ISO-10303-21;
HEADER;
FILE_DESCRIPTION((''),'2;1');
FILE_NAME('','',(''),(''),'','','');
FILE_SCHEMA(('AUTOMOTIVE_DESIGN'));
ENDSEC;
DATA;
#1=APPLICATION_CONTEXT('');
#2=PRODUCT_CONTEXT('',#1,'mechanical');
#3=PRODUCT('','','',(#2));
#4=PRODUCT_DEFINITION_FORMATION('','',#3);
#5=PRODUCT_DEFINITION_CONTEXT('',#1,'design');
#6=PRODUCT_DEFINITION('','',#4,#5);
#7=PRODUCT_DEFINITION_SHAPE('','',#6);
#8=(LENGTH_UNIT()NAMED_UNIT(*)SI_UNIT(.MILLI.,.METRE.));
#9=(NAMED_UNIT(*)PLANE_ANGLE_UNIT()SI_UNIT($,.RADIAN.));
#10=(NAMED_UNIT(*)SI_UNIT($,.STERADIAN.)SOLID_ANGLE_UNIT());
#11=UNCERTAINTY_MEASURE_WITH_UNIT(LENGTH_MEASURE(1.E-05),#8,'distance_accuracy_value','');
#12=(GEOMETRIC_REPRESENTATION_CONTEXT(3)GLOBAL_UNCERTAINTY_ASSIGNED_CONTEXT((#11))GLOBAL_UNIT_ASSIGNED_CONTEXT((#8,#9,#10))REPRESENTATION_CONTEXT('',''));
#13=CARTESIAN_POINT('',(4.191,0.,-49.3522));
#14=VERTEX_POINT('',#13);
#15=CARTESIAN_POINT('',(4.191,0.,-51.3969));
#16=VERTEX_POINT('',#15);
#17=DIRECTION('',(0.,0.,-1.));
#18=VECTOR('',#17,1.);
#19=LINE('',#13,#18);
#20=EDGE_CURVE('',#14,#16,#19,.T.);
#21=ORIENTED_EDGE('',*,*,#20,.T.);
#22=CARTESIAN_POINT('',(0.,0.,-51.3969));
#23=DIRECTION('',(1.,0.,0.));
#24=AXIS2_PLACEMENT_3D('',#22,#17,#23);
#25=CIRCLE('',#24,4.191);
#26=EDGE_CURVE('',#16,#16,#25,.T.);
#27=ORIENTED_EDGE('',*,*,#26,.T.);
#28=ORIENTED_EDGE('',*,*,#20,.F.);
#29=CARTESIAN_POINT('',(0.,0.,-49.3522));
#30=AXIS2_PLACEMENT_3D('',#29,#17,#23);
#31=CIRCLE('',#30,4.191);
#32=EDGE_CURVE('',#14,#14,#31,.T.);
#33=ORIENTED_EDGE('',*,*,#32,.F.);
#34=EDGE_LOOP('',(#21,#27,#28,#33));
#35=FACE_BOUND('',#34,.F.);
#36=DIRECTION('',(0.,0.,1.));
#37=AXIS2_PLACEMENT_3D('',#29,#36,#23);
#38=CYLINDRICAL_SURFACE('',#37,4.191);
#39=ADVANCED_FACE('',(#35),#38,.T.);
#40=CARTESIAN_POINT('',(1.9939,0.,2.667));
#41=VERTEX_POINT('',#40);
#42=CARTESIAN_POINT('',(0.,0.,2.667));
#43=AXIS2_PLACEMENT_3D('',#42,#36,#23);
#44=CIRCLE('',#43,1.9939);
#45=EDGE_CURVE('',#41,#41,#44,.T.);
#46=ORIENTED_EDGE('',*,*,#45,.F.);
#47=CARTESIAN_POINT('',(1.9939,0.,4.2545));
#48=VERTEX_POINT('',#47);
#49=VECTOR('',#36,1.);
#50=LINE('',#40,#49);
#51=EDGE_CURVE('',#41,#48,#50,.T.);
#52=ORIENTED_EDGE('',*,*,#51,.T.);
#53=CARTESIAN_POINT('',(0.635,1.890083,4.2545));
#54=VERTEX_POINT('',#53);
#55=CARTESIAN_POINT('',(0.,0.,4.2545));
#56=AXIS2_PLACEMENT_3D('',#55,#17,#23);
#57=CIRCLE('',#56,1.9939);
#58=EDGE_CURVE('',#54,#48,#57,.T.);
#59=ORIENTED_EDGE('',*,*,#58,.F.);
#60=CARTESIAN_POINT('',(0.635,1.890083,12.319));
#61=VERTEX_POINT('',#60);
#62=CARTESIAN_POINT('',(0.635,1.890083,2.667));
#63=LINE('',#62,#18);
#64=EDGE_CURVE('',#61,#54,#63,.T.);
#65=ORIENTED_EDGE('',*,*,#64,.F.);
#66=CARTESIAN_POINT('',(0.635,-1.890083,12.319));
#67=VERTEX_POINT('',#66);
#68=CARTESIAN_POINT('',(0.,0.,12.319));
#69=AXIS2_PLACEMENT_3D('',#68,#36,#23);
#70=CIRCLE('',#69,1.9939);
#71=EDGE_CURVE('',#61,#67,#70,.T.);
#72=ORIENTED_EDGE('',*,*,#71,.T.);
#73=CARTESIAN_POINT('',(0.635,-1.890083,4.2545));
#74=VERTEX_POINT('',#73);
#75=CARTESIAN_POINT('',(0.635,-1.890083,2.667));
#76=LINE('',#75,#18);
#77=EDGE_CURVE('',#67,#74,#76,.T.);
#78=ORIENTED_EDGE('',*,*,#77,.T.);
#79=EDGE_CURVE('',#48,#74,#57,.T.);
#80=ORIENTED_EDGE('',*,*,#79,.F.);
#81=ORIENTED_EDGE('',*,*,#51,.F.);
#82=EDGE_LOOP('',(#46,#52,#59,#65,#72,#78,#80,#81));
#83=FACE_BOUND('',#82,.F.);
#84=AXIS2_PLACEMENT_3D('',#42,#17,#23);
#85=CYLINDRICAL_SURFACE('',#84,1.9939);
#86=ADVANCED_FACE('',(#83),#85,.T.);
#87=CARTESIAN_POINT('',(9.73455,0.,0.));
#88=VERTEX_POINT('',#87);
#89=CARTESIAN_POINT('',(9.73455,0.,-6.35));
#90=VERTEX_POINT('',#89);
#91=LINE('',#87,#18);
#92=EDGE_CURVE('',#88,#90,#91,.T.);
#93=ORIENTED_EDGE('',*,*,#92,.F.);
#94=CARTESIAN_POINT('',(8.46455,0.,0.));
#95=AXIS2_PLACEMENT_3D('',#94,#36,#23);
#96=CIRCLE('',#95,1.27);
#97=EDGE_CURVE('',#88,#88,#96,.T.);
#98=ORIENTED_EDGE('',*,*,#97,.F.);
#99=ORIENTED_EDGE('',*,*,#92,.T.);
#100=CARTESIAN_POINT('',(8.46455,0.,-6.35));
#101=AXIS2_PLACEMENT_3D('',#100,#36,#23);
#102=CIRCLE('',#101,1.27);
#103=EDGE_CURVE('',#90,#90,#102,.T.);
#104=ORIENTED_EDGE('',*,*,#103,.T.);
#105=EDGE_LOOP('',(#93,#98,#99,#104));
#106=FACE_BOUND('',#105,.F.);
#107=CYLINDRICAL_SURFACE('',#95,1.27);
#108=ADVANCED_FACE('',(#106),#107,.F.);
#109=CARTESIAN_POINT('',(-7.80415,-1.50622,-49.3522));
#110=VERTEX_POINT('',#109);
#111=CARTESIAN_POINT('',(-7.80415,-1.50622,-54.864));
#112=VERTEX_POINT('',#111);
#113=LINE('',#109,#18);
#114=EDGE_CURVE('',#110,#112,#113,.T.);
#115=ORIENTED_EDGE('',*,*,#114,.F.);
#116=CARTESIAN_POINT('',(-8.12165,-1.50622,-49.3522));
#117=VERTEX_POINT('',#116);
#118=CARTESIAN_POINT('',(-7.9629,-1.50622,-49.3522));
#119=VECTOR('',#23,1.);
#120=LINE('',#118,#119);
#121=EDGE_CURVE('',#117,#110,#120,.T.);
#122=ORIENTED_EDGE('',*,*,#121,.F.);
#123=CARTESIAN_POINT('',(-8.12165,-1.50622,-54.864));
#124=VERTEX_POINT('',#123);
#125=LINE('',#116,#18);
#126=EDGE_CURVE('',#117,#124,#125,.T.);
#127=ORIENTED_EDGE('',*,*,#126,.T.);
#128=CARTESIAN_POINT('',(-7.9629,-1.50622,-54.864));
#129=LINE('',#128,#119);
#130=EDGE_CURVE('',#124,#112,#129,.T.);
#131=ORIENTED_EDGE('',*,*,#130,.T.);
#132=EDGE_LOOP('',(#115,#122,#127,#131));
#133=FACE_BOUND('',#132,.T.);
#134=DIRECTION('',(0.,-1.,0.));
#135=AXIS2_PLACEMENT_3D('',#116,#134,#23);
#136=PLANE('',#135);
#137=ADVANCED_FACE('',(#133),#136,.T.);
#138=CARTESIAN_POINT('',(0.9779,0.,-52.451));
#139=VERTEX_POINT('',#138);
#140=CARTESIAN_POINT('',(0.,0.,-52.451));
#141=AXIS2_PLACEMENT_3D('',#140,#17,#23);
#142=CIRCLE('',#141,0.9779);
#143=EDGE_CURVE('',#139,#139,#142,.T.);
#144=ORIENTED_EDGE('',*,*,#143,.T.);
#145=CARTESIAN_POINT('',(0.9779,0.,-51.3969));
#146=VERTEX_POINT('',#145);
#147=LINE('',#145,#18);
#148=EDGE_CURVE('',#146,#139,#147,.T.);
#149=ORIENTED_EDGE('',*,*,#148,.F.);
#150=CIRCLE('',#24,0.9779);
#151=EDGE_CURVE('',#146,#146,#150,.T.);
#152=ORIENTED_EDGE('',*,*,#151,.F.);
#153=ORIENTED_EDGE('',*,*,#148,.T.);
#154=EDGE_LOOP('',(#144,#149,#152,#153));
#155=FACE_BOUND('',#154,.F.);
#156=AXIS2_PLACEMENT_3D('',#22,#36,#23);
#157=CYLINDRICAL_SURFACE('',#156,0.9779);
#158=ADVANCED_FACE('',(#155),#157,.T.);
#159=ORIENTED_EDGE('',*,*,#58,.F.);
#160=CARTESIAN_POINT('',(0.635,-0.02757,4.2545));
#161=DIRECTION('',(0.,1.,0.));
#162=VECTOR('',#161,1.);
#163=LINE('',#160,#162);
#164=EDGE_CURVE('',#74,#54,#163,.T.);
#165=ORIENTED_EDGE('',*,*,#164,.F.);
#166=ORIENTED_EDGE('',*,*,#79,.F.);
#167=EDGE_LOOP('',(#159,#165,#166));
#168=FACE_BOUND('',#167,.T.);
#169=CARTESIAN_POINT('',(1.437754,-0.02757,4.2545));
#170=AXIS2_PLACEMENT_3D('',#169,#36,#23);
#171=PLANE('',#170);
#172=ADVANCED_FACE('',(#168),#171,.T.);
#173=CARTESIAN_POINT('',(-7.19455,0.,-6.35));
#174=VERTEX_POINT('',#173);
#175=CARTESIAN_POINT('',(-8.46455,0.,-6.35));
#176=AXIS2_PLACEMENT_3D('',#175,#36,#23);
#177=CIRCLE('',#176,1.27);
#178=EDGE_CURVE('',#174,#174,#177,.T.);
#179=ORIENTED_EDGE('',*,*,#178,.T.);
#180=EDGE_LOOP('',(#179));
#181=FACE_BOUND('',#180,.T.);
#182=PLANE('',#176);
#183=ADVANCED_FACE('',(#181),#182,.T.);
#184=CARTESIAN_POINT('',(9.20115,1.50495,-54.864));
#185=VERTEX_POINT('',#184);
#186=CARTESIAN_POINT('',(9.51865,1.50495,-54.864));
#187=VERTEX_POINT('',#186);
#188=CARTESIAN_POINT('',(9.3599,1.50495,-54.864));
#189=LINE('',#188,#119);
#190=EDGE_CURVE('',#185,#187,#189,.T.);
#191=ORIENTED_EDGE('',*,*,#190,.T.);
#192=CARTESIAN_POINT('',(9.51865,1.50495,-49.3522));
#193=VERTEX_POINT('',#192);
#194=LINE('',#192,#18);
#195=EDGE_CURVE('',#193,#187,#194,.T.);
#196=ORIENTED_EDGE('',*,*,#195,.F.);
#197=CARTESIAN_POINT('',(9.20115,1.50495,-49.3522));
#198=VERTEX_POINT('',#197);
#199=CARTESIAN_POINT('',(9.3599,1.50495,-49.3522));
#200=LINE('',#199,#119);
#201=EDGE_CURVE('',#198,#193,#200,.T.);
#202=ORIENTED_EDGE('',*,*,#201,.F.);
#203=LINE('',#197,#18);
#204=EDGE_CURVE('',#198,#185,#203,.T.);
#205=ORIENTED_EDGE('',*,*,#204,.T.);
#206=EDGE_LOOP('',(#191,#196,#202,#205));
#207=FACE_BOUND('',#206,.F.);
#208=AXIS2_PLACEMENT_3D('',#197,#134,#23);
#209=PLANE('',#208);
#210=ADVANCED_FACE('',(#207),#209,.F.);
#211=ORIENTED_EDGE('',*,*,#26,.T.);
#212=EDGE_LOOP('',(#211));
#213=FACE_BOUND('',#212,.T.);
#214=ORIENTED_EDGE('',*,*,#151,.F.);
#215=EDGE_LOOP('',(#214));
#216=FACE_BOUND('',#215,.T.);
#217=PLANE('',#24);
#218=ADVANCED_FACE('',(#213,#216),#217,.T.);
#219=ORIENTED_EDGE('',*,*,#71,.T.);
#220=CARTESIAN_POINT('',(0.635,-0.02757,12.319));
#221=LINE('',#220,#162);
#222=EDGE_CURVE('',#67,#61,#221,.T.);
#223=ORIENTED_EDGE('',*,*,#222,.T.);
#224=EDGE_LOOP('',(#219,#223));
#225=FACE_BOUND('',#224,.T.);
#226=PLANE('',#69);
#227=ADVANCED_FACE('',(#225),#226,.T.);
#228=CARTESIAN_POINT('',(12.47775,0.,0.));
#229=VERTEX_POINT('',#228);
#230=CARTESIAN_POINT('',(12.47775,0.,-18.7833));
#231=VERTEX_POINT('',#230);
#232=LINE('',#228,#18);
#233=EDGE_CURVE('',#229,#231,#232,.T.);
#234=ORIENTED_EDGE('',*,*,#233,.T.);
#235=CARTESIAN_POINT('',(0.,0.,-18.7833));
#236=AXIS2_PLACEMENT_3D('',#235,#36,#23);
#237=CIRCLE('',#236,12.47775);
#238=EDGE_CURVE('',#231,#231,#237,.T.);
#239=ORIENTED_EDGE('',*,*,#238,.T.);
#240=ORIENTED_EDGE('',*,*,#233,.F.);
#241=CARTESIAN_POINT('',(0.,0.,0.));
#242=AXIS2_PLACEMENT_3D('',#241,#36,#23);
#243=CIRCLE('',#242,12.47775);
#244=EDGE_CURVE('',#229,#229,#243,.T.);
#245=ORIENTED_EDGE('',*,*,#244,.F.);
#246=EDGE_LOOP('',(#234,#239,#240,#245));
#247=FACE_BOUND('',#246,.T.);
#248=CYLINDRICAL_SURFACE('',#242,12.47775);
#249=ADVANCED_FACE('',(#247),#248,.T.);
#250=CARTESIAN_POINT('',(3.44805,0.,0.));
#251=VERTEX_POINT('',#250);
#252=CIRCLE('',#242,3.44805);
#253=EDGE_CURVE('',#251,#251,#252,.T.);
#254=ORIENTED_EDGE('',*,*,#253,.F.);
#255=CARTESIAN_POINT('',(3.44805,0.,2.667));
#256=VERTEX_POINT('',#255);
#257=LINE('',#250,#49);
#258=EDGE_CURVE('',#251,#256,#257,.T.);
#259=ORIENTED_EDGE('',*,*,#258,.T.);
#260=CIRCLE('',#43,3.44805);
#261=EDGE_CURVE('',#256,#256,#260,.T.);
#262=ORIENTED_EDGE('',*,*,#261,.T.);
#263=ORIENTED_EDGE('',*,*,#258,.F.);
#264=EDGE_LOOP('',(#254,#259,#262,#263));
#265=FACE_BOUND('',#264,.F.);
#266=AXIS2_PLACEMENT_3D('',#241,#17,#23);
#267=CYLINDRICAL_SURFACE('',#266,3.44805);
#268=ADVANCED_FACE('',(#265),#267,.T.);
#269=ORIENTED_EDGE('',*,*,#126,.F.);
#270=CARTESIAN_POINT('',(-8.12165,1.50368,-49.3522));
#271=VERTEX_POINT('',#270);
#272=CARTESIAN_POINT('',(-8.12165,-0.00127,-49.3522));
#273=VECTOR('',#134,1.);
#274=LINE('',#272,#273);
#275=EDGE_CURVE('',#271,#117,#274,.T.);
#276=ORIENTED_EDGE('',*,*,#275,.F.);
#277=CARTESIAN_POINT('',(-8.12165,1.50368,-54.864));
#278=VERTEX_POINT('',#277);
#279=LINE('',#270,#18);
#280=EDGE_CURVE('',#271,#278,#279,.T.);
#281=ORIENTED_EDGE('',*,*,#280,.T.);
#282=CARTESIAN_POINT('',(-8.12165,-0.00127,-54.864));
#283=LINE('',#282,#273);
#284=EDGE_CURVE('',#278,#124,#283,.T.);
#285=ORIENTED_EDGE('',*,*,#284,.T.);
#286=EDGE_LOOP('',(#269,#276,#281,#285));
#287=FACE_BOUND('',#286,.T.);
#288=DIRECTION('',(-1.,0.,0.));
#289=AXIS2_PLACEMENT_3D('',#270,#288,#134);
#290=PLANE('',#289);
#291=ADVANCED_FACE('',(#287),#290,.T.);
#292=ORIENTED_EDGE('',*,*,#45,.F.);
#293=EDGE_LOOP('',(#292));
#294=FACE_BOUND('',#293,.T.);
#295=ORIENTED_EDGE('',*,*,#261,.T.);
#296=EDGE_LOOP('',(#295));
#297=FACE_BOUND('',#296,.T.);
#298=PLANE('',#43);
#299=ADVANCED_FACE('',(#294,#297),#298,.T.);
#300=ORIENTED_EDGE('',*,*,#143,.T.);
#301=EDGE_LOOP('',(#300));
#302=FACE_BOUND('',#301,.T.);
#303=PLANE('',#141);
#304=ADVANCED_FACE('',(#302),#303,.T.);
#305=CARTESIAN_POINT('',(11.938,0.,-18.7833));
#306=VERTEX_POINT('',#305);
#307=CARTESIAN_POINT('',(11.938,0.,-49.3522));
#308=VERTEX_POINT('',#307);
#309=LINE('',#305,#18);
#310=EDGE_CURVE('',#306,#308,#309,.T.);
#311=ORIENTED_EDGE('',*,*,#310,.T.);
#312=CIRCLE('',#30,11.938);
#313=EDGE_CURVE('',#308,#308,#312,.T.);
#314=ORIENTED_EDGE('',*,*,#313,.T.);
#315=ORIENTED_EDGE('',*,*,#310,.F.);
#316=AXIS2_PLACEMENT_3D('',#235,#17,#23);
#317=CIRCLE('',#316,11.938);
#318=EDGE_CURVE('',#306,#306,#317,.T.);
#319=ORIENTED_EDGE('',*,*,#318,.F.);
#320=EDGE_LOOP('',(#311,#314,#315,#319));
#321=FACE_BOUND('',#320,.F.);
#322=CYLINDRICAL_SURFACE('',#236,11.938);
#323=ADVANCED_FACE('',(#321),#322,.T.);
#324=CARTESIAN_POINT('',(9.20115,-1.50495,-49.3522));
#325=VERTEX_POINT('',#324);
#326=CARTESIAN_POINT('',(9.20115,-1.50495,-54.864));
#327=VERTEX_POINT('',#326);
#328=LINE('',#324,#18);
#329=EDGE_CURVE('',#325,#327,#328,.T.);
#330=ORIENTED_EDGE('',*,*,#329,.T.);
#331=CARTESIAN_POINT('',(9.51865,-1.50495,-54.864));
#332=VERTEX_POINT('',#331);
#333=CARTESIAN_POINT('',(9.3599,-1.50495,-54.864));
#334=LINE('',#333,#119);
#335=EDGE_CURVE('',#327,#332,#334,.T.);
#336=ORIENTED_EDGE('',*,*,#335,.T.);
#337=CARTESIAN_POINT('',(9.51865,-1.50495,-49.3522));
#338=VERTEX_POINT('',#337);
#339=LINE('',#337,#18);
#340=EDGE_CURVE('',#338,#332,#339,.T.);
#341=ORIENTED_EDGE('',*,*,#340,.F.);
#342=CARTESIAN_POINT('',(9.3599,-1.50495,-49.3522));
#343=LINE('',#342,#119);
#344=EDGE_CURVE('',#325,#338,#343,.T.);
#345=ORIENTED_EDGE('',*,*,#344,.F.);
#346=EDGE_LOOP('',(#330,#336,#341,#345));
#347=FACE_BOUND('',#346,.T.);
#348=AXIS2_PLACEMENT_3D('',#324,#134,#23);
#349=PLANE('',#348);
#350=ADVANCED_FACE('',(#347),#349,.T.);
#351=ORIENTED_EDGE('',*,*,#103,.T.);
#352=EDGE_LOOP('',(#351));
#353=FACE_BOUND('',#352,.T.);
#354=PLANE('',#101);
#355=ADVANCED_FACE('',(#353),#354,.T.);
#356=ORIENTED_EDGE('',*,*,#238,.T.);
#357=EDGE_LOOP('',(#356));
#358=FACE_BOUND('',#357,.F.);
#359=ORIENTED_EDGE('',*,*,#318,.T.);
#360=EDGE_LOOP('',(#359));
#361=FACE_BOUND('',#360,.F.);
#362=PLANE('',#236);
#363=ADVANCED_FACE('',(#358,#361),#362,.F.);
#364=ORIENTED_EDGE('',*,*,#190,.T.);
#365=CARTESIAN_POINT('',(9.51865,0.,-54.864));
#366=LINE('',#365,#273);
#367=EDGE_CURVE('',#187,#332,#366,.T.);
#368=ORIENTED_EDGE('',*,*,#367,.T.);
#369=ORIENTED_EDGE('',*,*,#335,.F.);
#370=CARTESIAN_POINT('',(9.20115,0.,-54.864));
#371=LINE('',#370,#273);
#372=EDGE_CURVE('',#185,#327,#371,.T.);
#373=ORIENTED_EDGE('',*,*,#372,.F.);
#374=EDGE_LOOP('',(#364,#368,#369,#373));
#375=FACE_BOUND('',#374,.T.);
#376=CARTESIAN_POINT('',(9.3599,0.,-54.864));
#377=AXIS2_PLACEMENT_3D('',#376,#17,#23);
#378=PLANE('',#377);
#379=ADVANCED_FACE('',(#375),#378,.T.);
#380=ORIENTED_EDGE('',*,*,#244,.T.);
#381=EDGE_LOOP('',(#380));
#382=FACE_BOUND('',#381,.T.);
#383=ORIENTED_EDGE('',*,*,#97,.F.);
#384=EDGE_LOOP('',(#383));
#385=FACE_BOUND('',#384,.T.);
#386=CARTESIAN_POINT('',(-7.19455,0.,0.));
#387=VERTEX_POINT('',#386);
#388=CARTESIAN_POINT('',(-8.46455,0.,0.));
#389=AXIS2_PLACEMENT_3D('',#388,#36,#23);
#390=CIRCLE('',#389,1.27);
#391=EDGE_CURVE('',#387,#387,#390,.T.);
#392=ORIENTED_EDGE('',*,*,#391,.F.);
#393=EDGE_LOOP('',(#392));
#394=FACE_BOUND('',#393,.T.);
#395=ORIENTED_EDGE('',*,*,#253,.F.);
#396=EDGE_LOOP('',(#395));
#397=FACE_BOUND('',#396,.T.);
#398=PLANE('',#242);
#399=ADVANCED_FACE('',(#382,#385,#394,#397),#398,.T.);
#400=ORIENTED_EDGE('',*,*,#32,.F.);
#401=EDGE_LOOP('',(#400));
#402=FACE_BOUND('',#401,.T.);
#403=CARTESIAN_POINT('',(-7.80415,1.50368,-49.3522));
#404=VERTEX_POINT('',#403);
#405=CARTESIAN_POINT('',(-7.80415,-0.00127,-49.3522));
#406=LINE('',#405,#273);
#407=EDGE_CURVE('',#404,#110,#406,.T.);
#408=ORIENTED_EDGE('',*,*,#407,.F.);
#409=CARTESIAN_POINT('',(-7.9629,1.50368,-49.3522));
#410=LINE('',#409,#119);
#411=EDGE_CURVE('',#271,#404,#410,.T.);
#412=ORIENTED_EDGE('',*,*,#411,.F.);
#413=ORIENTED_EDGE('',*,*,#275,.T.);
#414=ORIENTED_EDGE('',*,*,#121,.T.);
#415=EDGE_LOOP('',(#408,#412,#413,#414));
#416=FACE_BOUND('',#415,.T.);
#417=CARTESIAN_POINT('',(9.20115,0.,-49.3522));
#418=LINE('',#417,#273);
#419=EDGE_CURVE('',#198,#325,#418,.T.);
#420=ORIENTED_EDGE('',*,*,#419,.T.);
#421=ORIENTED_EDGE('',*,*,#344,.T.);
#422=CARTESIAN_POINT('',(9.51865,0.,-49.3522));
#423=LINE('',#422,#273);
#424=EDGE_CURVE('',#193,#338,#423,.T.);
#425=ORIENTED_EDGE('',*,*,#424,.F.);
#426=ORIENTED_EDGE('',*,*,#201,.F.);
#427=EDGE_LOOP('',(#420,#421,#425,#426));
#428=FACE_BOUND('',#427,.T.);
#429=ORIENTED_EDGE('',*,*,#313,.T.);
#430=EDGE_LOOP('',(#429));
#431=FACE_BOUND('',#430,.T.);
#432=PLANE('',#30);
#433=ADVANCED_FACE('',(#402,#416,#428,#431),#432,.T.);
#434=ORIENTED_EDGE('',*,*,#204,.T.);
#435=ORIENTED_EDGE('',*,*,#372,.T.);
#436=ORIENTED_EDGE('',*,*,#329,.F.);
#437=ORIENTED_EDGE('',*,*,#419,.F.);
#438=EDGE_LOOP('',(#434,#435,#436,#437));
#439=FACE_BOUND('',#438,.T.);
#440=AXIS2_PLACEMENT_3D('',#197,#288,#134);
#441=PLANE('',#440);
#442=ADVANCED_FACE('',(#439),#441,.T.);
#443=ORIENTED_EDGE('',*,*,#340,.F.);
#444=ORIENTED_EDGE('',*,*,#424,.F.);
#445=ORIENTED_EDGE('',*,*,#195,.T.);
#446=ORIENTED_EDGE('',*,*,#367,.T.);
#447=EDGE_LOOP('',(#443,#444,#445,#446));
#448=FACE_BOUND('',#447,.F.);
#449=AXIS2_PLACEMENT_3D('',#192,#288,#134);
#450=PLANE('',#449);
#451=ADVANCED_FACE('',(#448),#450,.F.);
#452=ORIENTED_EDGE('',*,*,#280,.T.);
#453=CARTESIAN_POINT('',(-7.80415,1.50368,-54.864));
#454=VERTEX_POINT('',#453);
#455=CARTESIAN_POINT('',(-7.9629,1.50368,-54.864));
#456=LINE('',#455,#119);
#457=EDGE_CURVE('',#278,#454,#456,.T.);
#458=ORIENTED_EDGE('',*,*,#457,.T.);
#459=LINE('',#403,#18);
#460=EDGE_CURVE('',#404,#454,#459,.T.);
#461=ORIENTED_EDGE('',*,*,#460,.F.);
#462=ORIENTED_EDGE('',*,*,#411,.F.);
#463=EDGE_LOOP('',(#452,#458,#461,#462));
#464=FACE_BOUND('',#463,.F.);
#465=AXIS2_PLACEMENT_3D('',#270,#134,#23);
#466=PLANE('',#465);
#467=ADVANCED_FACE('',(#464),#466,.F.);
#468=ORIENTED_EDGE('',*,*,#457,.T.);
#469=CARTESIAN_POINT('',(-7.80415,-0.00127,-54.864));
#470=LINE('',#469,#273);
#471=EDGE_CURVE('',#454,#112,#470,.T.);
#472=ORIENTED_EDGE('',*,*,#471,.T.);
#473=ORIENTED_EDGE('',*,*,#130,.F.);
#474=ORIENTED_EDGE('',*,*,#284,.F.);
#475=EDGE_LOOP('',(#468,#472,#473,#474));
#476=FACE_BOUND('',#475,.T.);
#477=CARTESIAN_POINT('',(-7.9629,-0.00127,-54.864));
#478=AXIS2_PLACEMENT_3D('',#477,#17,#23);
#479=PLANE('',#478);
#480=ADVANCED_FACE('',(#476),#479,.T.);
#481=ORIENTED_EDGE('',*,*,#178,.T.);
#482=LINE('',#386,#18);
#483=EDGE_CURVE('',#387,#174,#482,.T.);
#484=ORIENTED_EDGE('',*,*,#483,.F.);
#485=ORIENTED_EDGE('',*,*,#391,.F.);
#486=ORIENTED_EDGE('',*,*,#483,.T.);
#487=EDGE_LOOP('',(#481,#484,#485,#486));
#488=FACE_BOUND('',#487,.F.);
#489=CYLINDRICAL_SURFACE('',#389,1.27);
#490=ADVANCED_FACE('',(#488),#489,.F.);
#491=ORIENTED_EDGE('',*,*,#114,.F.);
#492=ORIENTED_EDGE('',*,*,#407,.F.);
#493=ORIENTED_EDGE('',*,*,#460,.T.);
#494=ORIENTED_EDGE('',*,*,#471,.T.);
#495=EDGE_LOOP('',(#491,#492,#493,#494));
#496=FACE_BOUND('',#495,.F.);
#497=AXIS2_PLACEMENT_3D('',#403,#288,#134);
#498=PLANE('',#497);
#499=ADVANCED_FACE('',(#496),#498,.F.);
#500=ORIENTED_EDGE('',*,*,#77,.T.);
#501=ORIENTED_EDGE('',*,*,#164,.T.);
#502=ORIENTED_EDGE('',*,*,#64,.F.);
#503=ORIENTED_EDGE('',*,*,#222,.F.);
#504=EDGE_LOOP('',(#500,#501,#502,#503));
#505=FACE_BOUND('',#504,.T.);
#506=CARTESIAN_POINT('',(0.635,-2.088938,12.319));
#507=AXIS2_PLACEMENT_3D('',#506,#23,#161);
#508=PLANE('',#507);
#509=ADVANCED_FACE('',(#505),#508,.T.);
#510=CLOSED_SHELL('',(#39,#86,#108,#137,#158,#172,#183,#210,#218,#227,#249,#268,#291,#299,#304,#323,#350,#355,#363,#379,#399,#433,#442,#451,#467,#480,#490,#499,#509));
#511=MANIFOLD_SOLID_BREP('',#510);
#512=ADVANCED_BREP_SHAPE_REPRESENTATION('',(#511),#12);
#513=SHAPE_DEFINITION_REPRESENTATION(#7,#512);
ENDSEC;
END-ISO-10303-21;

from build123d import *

# Parameters (mm, degrees)
SKETCH_R        = 12.47775
PAD_DEPTH       = 18.7833
SKETCH001_R     = 3.44805
PAD001_DEPTH    = 2.667
SKETCH002_R     = 1.9939
PAD002_DEPTH    = 9.652
SKETCH003_W     = 1.605508
SKETCH003_H     = 4.122735
POCKET_DEPTH    = 8.0645
SKETCH004_R     = 1.27
POCKET001_DEPTH = 6.35
SKETCH005_R     = 11.938
PAD003_DEPTH    = 30.5689
SKETCH006_R     = 4.191
PAD004_DEPTH    = 2.0447
SKETCH007_W     = 0.3175
SKETCH007_H     = 3.0099
PAD005_DEPTH    = 5.5118
SKETCH008_R     = 0.9779
PAD006_DEPTH    = 1.0541


with BuildPart() as part:
    # Sketch → Pad (new body)
    with BuildSketch(Plane.XY):
        Circle(SKETCH_R)
    extrude(amount=-PAD_DEPTH)

    # Sketch001 → Pad001 (new body)
    with BuildSketch(Plane.XY):
        Circle(SKETCH001_R)
    extrude(amount=PAD001_DEPTH)

    # Sketch002 → Pad002 (new body)
    with BuildSketch(Plane.XY.offset(2.667)):
        Circle(SKETCH002_R)
    extrude(amount=PAD002_DEPTH)

    # Sketch003 → Pocket (cut)
    with BuildSketch(Plane.XY.offset(12.319)):
        with Locations((1.437754, -0.02757)):
            Rectangle(SKETCH003_W, SKETCH003_H)
    extrude(amount=-POCKET_DEPTH, mode=Mode.SUBTRACT)

    # Sketch004 → Pocket001 (cut)
    with BuildSketch(Plane.XY):
        with Locations((8.46455, 0)):
            Circle(SKETCH004_R)
        with Locations((-8.46455, 0)):
            Circle(SKETCH004_R)
    extrude(amount=-POCKET001_DEPTH, mode=Mode.SUBTRACT)

    # Sketch005 → Pad003 (new body)
    with BuildSketch(Plane(origin=(0, 0, -18.7833), x_dir=(1, 0, 0), z_dir=(0, 0, -1))):
        Circle(SKETCH005_R)
    extrude(amount=PAD003_DEPTH)

    # Sketch006 → Pad004 (new body)
    with BuildSketch(Plane(origin=(0, 0, -49.3522), x_dir=(1, 0, 0), z_dir=(0, 0, -1))):
        Circle(SKETCH006_R)
    extrude(amount=PAD004_DEPTH)

    # Sketch007 → Pad005 (new body)
    with BuildSketch(Plane(origin=(0, 0, -49.3522), x_dir=(1, 0, 0), z_dir=(0, 0, -1))):
        with Locations((9.3599, 0)):
            Rectangle(SKETCH007_W, SKETCH007_H)
        with Locations((-7.9629, 0.00127)):
            Rectangle(SKETCH007_W, SKETCH007_H)
    extrude(amount=PAD005_DEPTH)

    # Sketch008 → Pad006 (new body)
    with BuildSketch(Plane(origin=(0, 0, -51.3969), x_dir=(1, 0, 0), z_dir=(0, 0, -1))):
        Circle(SKETCH008_R)
    extrude(amount=PAD006_DEPTH)


solid = part.part
